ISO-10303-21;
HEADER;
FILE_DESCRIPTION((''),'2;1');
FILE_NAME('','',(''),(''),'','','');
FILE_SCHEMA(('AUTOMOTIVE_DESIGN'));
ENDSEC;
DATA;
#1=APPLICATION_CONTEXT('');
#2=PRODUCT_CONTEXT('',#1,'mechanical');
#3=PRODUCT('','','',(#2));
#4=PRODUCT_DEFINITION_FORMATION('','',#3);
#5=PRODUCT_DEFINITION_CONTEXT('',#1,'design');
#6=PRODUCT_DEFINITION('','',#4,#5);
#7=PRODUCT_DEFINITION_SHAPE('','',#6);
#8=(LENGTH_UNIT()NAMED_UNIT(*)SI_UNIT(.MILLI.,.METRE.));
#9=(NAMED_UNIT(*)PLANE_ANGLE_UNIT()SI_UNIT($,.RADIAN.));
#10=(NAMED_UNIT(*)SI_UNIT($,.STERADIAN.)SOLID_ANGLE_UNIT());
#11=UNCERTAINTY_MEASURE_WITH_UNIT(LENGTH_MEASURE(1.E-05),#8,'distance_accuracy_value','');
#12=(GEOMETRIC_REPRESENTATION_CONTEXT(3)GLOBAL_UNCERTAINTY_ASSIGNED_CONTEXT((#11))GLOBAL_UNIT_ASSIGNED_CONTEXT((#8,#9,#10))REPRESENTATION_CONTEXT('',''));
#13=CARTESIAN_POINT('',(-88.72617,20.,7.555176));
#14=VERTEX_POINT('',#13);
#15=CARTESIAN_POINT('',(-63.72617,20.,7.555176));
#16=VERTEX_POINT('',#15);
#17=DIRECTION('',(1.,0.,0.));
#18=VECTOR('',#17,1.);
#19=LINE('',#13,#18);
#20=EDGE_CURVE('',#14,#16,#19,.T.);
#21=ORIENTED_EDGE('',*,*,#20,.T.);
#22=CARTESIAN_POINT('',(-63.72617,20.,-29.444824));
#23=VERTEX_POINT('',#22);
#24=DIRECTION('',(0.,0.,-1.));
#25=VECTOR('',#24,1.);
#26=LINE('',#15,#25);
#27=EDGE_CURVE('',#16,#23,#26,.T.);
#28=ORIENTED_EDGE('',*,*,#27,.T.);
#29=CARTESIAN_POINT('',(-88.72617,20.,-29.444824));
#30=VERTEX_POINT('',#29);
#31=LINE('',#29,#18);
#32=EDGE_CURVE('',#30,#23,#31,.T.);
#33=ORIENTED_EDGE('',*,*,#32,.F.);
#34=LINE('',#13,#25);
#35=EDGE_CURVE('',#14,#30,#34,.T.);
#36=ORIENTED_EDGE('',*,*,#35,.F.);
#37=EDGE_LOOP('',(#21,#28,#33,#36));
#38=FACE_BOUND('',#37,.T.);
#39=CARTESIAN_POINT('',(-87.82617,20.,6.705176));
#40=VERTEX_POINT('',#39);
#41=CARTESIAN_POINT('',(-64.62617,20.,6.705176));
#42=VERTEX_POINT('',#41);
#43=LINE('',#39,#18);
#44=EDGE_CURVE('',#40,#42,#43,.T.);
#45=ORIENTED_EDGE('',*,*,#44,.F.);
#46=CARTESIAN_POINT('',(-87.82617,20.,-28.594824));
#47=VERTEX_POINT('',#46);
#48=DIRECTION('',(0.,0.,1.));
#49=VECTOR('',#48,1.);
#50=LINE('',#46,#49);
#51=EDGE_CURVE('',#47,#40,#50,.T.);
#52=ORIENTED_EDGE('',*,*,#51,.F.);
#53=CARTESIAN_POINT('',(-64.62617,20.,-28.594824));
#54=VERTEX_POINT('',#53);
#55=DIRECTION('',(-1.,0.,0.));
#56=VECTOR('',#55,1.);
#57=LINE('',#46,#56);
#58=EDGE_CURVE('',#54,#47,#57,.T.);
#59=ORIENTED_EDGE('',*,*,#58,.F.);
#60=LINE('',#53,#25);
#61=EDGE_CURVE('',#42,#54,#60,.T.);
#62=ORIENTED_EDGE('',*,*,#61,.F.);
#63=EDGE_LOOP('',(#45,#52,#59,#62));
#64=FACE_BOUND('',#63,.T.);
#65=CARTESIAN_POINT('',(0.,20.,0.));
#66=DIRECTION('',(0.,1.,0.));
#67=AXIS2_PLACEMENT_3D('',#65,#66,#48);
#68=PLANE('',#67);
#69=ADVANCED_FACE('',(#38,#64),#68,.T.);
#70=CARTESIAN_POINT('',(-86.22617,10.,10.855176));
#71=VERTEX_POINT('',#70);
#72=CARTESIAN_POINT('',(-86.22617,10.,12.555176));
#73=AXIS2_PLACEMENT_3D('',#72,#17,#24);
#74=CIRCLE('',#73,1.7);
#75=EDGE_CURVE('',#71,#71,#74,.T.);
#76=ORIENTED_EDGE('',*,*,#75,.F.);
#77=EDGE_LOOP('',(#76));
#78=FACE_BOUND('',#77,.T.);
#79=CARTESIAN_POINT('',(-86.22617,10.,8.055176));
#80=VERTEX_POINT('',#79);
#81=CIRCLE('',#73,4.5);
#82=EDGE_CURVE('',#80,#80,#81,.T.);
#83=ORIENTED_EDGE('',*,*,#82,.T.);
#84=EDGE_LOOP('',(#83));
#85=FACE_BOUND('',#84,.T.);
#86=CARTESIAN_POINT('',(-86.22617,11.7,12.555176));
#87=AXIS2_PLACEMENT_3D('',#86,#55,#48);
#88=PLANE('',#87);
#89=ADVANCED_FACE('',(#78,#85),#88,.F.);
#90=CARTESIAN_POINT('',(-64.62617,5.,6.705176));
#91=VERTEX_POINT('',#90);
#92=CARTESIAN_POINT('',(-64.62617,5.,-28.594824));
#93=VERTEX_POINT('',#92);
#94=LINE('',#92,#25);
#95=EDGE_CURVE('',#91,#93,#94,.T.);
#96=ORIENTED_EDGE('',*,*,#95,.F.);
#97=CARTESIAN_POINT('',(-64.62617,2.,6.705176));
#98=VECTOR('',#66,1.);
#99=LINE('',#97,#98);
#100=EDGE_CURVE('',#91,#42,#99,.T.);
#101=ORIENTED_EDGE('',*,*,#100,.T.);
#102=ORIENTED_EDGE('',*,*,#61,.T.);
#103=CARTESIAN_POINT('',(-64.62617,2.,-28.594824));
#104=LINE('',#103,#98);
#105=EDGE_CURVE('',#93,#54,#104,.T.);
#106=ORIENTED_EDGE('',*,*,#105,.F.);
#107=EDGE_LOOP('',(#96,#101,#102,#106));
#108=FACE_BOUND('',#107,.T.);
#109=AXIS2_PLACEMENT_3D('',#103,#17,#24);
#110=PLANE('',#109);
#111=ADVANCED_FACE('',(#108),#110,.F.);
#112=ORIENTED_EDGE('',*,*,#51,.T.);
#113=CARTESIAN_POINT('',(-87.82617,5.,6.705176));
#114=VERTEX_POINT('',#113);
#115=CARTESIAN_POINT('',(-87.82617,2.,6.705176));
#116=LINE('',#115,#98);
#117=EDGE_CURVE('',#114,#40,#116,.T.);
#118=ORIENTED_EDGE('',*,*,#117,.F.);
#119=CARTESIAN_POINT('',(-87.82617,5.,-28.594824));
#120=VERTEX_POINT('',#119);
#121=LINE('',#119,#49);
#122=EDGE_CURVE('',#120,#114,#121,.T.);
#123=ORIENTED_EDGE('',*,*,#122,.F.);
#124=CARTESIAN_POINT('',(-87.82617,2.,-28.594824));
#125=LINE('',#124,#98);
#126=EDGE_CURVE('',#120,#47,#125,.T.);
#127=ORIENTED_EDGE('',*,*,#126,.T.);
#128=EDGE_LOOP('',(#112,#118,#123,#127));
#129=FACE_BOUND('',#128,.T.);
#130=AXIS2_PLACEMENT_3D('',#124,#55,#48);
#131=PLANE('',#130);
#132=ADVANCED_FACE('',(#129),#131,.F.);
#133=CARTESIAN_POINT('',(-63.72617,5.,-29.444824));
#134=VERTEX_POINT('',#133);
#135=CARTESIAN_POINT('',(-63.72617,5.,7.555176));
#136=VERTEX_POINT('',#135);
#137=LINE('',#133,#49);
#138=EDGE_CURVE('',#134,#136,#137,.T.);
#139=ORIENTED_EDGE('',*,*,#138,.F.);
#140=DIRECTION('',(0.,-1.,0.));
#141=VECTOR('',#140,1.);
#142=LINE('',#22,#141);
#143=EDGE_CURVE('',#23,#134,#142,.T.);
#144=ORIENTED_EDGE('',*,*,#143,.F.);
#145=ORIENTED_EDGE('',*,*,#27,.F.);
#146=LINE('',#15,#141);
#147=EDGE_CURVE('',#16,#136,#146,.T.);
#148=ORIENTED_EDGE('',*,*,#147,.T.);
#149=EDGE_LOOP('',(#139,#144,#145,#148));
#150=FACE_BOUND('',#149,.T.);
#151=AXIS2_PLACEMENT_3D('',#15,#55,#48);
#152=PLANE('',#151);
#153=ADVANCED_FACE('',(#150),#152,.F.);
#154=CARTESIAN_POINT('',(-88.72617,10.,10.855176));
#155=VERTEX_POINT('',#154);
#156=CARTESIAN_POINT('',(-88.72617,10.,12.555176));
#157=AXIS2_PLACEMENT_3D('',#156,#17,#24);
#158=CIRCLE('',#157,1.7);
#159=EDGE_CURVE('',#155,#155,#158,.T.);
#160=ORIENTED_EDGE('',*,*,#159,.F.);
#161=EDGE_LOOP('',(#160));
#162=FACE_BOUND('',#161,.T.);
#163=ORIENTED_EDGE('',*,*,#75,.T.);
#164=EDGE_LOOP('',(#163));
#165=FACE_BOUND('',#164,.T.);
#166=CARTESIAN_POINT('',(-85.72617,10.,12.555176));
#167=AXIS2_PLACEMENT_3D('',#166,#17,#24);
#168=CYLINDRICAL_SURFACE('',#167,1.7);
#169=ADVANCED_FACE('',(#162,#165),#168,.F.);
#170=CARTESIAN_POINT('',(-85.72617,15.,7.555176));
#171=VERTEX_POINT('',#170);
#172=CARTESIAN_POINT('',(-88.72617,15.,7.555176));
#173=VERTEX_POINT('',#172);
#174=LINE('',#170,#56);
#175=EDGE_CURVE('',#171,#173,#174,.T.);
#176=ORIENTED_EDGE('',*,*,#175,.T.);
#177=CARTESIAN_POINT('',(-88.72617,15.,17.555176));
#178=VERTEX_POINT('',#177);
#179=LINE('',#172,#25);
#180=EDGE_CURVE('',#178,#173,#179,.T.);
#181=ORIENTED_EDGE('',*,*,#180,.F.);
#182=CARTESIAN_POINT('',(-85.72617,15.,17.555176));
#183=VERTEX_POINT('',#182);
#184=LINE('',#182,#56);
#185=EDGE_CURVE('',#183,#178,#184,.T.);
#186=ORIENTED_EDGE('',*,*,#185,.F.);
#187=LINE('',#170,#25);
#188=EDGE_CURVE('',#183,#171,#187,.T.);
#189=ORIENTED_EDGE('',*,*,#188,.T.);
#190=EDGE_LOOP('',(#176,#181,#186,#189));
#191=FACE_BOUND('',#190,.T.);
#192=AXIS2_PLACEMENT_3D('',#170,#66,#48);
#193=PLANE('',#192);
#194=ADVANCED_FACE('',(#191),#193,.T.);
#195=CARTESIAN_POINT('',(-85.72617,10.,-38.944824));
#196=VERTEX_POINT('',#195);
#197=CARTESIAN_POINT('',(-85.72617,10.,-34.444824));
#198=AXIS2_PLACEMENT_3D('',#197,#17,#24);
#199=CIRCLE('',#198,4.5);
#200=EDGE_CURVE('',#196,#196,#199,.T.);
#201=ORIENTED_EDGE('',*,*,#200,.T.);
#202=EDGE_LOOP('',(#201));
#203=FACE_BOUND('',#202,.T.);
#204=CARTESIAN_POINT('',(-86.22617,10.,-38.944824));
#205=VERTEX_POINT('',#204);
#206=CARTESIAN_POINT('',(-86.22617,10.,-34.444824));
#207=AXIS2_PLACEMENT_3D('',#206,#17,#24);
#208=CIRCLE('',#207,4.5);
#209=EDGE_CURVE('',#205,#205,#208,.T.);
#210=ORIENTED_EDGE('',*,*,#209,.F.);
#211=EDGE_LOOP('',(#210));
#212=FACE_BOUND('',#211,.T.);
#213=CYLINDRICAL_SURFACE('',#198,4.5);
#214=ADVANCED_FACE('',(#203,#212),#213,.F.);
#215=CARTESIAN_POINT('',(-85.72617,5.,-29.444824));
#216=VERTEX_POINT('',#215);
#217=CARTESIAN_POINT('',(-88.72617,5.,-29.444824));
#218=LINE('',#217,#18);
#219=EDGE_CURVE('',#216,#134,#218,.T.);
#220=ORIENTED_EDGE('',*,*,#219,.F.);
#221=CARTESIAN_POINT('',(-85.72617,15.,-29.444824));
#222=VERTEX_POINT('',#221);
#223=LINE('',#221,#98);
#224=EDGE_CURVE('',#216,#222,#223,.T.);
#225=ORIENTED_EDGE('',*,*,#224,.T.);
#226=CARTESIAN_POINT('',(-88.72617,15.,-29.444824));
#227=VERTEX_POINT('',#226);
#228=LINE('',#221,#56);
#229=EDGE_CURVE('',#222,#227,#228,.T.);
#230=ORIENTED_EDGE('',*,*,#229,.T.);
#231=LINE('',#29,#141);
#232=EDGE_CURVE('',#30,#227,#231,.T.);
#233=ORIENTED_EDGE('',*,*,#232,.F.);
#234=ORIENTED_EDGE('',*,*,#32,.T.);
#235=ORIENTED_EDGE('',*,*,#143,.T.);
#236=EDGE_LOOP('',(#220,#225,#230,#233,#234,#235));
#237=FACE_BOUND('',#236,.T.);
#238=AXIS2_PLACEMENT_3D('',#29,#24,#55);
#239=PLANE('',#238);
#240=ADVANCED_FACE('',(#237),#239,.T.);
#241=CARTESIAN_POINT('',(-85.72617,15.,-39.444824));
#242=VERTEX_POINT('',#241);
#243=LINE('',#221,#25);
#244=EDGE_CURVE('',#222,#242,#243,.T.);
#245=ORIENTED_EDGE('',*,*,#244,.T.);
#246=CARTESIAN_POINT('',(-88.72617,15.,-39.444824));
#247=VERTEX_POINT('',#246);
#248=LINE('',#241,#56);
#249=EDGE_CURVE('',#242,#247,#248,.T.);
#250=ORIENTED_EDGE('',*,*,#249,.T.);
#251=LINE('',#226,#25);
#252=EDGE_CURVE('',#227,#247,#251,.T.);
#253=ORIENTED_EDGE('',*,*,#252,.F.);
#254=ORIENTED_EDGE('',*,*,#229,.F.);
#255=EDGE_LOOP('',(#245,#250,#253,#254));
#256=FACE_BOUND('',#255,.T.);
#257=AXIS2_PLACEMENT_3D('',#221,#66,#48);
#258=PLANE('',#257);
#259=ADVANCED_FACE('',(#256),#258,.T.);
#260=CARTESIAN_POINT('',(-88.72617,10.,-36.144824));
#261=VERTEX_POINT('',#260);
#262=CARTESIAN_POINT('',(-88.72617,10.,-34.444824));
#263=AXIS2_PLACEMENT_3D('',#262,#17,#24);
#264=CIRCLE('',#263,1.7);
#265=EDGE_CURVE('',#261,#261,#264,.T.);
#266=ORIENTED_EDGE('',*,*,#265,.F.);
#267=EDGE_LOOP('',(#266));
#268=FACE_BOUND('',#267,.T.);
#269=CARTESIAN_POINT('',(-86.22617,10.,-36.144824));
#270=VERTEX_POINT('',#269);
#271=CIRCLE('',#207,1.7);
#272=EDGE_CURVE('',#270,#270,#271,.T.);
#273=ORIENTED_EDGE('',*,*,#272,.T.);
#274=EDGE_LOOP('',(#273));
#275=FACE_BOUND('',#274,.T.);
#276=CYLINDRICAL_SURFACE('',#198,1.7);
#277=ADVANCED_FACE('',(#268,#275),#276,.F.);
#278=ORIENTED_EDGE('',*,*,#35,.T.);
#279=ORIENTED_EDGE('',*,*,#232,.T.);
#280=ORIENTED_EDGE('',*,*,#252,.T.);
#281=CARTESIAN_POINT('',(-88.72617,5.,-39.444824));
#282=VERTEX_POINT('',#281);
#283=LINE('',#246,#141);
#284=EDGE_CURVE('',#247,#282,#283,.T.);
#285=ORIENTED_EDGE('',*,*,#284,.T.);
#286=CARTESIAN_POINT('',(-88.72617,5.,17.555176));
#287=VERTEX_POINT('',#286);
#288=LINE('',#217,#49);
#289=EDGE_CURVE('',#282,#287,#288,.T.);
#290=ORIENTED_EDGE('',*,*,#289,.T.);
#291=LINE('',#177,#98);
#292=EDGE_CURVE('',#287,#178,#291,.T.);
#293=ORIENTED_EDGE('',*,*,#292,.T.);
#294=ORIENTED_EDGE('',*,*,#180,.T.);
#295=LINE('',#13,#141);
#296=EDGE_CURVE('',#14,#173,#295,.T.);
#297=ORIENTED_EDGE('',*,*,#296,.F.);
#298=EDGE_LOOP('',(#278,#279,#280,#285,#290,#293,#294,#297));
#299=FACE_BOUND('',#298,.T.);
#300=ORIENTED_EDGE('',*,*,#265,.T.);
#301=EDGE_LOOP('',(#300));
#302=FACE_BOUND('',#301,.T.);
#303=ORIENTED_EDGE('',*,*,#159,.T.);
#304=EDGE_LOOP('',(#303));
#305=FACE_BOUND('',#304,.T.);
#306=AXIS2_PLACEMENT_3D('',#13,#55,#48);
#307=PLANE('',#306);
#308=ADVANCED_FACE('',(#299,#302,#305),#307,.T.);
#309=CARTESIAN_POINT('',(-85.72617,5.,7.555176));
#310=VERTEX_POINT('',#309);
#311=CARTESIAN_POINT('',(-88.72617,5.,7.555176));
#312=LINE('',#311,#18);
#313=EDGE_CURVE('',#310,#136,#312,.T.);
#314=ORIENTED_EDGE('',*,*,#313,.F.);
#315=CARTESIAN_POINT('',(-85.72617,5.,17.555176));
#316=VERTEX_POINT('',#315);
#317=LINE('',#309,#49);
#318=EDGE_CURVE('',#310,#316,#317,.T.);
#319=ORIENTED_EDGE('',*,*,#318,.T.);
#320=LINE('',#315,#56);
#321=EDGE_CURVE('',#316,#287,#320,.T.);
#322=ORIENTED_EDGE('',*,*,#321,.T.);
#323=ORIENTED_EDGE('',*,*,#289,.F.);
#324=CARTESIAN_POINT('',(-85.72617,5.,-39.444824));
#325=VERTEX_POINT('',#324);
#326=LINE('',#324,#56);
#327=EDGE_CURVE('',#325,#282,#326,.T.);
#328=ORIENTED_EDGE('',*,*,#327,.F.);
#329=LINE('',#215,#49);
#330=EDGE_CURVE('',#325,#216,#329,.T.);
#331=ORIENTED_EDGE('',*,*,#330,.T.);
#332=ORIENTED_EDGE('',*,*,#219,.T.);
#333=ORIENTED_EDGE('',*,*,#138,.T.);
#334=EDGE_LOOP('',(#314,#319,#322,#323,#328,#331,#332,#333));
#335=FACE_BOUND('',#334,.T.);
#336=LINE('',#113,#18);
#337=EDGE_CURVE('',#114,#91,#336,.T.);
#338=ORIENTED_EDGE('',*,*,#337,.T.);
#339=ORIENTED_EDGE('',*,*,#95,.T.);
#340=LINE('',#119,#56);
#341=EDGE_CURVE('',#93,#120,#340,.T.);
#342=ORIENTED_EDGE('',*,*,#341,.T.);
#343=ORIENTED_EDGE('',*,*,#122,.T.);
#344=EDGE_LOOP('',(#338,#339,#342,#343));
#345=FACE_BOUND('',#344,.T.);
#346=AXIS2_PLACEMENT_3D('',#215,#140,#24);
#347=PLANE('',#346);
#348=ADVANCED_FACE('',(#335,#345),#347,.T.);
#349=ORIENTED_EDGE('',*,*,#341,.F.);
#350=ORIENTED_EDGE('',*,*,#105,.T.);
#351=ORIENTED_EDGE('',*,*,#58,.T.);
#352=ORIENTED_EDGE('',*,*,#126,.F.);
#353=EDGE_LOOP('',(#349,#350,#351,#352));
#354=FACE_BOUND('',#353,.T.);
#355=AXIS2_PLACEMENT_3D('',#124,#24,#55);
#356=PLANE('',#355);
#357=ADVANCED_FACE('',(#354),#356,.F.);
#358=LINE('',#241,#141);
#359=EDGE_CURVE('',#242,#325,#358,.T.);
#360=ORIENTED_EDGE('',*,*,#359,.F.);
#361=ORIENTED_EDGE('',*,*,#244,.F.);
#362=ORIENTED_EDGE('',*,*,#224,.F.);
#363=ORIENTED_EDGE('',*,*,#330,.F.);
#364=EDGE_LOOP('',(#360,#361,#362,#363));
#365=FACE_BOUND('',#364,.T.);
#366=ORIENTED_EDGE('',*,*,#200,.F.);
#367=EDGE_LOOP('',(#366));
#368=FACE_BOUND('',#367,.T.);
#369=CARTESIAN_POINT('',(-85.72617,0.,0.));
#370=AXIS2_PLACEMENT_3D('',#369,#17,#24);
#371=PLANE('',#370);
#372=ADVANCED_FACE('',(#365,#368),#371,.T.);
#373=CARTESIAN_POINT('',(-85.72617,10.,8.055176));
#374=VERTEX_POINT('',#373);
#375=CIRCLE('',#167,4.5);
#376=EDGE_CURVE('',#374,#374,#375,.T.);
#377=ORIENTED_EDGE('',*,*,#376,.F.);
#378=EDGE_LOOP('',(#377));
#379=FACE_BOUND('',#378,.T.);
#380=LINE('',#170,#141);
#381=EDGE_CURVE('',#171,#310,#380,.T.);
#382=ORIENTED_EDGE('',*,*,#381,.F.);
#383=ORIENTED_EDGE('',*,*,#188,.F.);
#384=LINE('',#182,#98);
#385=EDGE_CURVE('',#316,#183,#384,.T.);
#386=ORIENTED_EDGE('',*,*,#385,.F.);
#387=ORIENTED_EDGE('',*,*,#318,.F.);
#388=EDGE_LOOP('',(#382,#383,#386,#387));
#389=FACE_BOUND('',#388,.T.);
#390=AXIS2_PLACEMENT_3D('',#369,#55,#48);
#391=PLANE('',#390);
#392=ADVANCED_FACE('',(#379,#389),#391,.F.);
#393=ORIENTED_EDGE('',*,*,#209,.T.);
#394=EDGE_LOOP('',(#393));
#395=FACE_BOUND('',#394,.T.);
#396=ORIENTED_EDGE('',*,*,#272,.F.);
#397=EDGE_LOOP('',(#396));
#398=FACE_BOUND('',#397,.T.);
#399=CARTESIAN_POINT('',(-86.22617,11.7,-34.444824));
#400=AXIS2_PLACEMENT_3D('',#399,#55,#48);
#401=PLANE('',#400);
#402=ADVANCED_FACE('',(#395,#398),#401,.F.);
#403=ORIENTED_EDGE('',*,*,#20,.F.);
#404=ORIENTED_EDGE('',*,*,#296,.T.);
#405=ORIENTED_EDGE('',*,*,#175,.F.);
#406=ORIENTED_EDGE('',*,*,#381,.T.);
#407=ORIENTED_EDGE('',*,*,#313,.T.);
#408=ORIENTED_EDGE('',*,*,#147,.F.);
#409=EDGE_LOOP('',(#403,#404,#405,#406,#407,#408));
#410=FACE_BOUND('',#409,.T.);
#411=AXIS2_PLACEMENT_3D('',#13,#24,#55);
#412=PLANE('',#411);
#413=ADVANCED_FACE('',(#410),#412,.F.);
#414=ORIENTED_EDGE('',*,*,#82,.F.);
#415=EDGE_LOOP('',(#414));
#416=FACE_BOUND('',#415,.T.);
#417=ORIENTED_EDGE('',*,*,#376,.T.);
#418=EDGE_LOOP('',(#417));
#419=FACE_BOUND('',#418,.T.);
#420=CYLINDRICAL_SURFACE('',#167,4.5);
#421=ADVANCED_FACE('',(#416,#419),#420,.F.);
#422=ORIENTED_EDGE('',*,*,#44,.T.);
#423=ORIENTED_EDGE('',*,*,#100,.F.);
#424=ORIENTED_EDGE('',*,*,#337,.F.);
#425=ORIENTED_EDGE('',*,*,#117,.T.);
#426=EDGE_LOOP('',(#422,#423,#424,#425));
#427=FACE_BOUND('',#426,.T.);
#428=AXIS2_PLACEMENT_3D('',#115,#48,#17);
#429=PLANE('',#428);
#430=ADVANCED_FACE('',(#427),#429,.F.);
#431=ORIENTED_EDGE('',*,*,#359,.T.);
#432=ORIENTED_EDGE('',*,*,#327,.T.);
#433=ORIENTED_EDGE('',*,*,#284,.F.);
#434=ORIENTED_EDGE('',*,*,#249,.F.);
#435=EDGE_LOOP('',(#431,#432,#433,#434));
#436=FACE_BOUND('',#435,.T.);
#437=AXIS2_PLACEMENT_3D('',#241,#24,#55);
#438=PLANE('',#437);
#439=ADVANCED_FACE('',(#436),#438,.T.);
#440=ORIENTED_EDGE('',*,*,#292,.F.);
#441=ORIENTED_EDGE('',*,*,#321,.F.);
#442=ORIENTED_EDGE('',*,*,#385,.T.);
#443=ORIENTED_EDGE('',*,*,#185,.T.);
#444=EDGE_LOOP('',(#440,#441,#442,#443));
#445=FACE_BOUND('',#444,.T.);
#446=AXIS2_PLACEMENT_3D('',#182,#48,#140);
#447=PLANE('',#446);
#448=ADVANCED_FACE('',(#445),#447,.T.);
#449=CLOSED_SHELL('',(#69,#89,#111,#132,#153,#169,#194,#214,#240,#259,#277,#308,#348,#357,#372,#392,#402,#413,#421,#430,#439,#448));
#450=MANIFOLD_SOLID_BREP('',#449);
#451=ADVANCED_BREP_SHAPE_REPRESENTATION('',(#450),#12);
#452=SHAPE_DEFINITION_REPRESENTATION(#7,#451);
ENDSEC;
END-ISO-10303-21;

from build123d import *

# Parameters (mm, degrees)
SKETCH1_W                                            = 25
SKETCH1_H                                            = 37
BOSS_EXTRUDE2_DEPTH                                  = 20
SKETCH4_W                                            = 23.2
SKETCH4_H                                            = 35.3
CUT_EXTRUDE1_DEPTH                                   = 18
SKETCH30_W                                           = 10
SKETCH30_H                                           = 10
BOSS_EXTRUDE5_DEPTH                                  = 3
CBORE_FOR_M3_HEXAGON_HEAD_BOLTS_FULL_THR_D           = 3.4
CBORE_FOR_M3_HEXAGON_HEAD_BOLTS_FULL_THR_CBORE_D     = 9
CBORE_FOR_M3_HEXAGON_HEAD_BOLTS_FULL_THR_CBORE_DEPTH = 0.5
SKETCH32_W                                           = 25
SKETCH32_H                                           = 37
CUT_EXTRUDE2_DEPTH                                   = 5


with BuildPart() as part:
    # Sketch1 → Boss-Extrude2 (new body)
    with BuildSketch(Plane(origin=(0, 0, 0), x_dir=(1, 0, 0), z_dir=(0, 1, 0))):
        with Locations((-76.226170177, 10.94482429)):
            Rectangle(SKETCH1_W, SKETCH1_H)
    extrude(amount=BOSS_EXTRUDE2_DEPTH)

    # Sketch4 → Cut-Extrude1 (cut)
    with BuildSketch(Plane(origin=(0, 20, 0), x_dir=(1, 0, 0), z_dir=(0, 1, 0))):
        with Locations((-76.226170177, 10.94482429)):
            Rectangle(SKETCH4_W, SKETCH4_H)
    extrude(amount=-CUT_EXTRUDE1_DEPTH, mode=Mode.SUBTRACT)

    # Sketch30 → Boss-Extrude5 (add)
    with BuildSketch(Plane.ZY.offset(88.726170177)):
        with Locations((-34.44482429, 10)):
            Rectangle(SKETCH30_W, SKETCH30_H)
        with Locations((12.55517571, 10)):
            Rectangle(SKETCH30_W, SKETCH30_H)
    extrude(amount=-BOSS_EXTRUDE5_DEPTH)

    # CBORE for M3 Hexagon head bolts-Full thread-grades AB5 (through all)
    with Locations(Plane(origin=(-85.726170177, 10, -34.44482429), x_dir=(0, 0, 1), z_dir=(1, 0, 0))):
        with Locations((0, 0), (47, 0)):
            CounterBoreHole(CBORE_FOR_M3_HEXAGON_HEAD_BOLTS_FULL_THR_D / 2, CBORE_FOR_M3_HEXAGON_HEAD_BOLTS_FULL_THR_CBORE_D / 2, CBORE_FOR_M3_HEXAGON_HEAD_BOLTS_FULL_THR_CBORE_DEPTH)

    # Sketch32 → Cut-Extrude2 (cut)
    with BuildSketch(Plane.XZ):
        with Locations((-76.226170177, -10.94482429)):
            Rectangle(SKETCH32_W, SKETCH32_H)
    extrude(amount=-CUT_EXTRUDE2_DEPTH, mode=Mode.SUBTRACT)


solid = part.part
